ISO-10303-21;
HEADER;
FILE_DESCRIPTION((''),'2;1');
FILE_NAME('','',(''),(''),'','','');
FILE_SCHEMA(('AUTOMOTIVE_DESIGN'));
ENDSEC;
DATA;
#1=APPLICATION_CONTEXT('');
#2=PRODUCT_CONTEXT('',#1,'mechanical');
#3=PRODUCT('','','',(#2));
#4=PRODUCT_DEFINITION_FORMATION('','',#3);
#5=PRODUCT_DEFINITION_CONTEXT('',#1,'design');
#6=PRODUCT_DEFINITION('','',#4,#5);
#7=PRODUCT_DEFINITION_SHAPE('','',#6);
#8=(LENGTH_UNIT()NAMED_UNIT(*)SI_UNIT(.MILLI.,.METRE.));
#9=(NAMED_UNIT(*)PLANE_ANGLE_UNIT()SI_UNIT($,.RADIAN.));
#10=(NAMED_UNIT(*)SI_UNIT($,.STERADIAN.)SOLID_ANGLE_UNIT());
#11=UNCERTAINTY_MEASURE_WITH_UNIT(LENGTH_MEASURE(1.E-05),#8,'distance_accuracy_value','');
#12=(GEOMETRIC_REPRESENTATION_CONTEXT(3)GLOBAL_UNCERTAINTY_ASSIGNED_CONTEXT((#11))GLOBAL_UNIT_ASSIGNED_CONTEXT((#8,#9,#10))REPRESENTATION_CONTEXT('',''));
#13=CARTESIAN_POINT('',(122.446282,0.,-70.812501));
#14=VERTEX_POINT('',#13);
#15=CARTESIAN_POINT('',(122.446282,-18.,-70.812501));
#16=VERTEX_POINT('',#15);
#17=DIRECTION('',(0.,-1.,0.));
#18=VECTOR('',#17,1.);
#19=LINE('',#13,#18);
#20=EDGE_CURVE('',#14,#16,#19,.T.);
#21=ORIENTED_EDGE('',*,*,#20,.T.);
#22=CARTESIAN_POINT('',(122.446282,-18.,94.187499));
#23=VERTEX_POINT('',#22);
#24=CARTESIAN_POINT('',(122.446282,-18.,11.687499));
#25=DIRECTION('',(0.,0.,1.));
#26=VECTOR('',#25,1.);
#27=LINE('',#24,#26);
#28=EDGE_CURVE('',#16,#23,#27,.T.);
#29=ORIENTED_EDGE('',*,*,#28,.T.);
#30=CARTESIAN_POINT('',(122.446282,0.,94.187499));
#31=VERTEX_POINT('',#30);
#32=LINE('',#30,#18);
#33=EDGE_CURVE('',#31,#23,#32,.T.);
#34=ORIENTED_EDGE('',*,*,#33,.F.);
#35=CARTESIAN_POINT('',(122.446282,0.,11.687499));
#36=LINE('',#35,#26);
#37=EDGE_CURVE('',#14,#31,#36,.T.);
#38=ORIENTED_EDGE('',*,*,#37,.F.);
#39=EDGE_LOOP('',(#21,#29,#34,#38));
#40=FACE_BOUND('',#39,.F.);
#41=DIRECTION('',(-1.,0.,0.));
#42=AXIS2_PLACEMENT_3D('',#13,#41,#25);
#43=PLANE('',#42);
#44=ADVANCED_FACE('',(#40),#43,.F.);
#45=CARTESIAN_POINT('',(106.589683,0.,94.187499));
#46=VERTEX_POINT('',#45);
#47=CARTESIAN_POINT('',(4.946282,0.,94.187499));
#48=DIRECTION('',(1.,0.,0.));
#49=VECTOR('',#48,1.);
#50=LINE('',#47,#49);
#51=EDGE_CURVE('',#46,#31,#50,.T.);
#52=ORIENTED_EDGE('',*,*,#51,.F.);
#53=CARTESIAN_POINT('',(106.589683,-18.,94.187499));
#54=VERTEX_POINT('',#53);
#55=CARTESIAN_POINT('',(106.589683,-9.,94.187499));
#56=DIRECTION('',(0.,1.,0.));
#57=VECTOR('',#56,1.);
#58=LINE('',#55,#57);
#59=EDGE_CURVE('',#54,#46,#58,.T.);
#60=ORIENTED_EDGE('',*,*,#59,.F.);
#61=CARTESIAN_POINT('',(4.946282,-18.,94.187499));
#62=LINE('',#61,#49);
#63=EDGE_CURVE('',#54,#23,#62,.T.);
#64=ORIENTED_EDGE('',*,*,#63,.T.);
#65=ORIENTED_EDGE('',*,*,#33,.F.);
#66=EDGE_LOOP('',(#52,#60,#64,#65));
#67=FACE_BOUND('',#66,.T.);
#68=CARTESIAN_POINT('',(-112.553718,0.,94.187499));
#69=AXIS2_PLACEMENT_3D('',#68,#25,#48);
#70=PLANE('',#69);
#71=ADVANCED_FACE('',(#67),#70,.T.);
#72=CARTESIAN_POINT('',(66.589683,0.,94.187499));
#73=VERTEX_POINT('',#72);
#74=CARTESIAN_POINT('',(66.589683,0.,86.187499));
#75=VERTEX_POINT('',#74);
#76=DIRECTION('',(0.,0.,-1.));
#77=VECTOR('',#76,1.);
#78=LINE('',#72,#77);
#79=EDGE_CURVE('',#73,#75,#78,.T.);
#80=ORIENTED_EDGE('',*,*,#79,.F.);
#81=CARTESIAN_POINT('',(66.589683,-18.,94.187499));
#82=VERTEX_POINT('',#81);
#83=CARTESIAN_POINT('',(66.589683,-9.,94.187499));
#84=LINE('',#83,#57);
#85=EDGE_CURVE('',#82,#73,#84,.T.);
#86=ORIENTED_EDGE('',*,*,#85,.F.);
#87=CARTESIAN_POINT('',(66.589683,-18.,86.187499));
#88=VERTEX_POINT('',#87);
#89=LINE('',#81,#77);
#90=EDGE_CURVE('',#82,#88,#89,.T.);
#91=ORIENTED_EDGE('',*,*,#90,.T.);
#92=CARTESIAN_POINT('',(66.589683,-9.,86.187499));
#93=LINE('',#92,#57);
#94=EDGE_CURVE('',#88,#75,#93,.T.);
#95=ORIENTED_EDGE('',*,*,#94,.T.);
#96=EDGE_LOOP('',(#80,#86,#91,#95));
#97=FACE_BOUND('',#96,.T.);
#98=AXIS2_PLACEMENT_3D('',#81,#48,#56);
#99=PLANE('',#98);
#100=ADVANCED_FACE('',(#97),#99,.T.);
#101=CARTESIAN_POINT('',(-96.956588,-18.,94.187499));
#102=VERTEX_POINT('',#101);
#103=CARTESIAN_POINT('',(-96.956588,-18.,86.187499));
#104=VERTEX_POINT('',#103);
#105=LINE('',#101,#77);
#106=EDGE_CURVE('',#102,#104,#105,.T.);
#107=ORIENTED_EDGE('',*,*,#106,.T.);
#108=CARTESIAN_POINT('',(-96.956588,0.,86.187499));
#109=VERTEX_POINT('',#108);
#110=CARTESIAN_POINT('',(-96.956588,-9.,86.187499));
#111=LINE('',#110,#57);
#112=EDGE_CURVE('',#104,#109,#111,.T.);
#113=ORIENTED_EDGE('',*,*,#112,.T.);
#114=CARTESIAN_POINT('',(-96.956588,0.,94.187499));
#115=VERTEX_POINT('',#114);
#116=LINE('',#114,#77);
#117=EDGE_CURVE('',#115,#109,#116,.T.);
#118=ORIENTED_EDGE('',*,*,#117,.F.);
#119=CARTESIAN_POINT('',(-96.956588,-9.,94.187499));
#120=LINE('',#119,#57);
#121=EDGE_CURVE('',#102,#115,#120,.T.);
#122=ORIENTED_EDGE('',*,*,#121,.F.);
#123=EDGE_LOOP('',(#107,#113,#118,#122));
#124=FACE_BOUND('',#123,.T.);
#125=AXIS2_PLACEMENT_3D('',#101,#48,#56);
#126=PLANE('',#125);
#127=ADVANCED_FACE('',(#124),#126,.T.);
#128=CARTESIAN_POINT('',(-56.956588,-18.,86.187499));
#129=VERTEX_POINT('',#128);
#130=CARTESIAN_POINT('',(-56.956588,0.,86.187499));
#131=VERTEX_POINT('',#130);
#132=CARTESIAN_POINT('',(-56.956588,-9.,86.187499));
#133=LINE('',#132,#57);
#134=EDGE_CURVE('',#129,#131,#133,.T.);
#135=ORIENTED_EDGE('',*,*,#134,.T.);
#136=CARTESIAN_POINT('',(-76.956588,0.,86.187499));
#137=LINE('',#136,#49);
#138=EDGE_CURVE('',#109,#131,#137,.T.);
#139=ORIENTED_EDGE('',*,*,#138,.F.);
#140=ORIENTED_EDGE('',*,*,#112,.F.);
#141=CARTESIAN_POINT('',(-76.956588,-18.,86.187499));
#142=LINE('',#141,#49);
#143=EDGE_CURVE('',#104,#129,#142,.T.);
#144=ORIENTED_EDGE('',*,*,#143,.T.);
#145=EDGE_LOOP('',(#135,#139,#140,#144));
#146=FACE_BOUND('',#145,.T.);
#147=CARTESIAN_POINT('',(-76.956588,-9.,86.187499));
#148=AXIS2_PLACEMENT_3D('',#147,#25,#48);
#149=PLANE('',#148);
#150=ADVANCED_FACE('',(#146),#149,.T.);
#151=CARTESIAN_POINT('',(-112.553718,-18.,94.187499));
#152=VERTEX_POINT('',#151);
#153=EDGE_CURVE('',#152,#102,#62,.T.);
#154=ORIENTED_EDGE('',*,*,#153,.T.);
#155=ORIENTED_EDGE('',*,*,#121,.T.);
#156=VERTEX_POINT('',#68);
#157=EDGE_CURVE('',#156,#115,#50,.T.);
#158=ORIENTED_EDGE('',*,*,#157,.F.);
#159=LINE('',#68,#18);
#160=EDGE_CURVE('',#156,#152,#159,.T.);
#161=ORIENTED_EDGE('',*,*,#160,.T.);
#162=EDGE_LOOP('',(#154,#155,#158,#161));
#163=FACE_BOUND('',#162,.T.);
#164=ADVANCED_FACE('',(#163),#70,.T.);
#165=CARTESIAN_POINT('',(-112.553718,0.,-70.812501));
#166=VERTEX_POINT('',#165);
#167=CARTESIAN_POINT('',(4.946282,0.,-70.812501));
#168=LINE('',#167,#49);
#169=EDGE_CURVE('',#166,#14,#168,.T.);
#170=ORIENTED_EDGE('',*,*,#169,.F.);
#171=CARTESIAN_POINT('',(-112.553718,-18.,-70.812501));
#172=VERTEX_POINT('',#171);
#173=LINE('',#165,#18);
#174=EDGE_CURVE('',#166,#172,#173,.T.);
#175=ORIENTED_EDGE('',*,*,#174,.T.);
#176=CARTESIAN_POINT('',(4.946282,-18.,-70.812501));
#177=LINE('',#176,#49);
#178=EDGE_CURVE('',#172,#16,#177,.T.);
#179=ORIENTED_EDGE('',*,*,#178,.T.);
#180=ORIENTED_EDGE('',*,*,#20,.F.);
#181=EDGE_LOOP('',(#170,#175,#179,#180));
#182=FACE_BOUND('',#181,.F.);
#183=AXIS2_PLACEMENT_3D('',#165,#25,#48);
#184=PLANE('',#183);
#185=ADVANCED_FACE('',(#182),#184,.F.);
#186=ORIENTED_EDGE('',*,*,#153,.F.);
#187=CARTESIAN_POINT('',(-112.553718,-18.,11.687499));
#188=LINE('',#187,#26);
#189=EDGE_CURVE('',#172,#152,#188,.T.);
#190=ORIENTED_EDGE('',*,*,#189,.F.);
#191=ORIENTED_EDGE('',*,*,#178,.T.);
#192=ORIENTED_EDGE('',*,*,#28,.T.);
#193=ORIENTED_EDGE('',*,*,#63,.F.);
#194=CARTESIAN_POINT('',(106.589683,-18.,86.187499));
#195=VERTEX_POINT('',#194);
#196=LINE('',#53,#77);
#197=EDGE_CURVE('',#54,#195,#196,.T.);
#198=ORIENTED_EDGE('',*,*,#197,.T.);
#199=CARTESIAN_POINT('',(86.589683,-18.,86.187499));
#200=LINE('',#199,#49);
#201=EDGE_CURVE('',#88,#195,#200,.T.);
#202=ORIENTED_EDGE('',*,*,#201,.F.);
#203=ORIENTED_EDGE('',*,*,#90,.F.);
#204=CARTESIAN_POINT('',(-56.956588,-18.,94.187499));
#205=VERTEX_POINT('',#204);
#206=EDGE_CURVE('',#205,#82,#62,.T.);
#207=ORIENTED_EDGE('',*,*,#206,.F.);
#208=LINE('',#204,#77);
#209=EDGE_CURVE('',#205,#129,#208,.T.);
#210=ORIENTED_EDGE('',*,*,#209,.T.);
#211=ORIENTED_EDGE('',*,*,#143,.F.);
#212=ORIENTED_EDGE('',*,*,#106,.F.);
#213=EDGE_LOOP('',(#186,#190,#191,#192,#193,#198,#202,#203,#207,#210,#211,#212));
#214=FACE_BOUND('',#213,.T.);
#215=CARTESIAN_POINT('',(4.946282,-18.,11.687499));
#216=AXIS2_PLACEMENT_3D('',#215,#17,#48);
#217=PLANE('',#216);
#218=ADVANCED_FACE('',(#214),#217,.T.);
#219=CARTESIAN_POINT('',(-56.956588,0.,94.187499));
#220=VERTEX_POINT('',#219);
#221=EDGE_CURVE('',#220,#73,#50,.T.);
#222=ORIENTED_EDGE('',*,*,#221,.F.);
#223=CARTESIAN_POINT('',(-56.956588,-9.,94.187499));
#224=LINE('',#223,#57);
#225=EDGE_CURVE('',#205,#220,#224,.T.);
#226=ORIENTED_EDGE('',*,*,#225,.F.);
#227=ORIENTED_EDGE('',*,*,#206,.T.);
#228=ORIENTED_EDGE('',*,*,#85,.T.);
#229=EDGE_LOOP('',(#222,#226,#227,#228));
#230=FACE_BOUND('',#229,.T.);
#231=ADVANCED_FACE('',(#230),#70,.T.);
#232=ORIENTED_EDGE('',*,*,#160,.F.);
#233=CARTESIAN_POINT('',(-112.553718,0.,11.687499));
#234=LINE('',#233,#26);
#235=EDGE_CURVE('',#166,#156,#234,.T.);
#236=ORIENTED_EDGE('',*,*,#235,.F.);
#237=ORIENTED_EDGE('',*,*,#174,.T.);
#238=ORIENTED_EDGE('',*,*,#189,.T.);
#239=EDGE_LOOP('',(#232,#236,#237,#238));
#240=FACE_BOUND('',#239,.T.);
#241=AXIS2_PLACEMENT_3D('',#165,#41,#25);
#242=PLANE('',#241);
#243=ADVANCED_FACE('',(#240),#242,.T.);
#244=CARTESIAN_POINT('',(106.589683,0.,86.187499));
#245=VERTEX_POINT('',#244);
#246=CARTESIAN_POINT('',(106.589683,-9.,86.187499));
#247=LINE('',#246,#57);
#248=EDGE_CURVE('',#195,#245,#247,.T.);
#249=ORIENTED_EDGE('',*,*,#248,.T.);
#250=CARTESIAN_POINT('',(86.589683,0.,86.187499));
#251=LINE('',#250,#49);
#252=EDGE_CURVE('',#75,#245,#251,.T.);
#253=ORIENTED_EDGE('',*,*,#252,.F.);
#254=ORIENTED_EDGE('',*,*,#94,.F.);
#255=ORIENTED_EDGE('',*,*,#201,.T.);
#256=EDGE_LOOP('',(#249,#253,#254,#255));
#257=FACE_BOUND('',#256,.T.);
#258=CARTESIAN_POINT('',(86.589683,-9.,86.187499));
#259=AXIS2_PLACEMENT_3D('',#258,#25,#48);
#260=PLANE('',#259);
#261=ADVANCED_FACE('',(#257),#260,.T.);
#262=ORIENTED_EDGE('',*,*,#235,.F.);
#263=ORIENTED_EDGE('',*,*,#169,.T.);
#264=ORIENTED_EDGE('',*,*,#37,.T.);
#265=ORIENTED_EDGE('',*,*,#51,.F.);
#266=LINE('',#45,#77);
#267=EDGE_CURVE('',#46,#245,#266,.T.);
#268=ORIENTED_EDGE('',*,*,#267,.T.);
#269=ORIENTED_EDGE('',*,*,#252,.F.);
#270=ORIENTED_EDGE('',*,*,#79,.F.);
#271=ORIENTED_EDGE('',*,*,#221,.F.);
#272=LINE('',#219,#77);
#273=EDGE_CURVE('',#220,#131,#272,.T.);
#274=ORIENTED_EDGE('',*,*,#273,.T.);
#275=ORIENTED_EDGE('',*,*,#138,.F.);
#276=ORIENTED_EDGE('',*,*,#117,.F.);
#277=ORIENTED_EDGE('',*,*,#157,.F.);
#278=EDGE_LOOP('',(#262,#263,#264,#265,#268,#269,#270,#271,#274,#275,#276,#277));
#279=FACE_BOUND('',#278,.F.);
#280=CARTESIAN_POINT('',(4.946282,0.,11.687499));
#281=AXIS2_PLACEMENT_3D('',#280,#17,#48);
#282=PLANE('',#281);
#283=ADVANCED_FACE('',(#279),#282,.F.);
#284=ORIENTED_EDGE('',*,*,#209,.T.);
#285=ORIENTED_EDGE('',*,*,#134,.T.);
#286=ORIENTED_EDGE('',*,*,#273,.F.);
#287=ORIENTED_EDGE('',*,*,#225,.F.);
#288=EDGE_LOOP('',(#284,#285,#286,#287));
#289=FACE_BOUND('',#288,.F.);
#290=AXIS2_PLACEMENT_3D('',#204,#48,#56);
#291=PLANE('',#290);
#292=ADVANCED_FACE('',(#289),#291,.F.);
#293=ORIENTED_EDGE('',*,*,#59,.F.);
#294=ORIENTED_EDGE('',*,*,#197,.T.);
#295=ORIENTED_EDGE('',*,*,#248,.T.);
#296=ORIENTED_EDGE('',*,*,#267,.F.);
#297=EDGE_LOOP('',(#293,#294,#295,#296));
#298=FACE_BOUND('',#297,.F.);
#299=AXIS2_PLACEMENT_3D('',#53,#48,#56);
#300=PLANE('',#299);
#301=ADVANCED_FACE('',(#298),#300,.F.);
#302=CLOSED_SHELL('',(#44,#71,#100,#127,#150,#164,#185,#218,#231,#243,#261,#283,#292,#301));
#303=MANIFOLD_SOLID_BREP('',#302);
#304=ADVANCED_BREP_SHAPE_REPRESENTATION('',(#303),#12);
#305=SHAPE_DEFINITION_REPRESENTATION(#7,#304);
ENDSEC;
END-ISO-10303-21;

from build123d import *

# Parameters (mm, degrees)
F0_W     = 235
F0_H     = 165
F1_DEPTH = 18
F2_W     = 40
F2_H     = 18
F3_DEPTH = 8
F4_W     = 40
F4_H     = 18
F5_DEPTH = 8


with BuildPart() as f1:
    # F0 (on Front) → F1 (new body)
    with BuildSketch(Plane.XZ):
        with Locations((4.946282, 11.687499)):
            Rectangle(F0_W, F0_H)
    extrude(amount=F1_DEPTH)

    # F2 (on face) → F3 (cut)
    with BuildSketch(Plane.XY.offset(94.187499)):
        with Locations((86.589683, -9)):
            Rectangle(F2_W, F2_H)
    extrude(amount=-F3_DEPTH, mode=Mode.SUBTRACT)

    # F4 (on face) → F5 (cut)
    with BuildSketch(Plane.XY.offset(94.187499)):
        with Locations((-76.956588, -9)):
            Rectangle(F4_W, F4_H)
    extrude(amount=-F5_DEPTH, mode=Mode.SUBTRACT)


solid = f1.part
